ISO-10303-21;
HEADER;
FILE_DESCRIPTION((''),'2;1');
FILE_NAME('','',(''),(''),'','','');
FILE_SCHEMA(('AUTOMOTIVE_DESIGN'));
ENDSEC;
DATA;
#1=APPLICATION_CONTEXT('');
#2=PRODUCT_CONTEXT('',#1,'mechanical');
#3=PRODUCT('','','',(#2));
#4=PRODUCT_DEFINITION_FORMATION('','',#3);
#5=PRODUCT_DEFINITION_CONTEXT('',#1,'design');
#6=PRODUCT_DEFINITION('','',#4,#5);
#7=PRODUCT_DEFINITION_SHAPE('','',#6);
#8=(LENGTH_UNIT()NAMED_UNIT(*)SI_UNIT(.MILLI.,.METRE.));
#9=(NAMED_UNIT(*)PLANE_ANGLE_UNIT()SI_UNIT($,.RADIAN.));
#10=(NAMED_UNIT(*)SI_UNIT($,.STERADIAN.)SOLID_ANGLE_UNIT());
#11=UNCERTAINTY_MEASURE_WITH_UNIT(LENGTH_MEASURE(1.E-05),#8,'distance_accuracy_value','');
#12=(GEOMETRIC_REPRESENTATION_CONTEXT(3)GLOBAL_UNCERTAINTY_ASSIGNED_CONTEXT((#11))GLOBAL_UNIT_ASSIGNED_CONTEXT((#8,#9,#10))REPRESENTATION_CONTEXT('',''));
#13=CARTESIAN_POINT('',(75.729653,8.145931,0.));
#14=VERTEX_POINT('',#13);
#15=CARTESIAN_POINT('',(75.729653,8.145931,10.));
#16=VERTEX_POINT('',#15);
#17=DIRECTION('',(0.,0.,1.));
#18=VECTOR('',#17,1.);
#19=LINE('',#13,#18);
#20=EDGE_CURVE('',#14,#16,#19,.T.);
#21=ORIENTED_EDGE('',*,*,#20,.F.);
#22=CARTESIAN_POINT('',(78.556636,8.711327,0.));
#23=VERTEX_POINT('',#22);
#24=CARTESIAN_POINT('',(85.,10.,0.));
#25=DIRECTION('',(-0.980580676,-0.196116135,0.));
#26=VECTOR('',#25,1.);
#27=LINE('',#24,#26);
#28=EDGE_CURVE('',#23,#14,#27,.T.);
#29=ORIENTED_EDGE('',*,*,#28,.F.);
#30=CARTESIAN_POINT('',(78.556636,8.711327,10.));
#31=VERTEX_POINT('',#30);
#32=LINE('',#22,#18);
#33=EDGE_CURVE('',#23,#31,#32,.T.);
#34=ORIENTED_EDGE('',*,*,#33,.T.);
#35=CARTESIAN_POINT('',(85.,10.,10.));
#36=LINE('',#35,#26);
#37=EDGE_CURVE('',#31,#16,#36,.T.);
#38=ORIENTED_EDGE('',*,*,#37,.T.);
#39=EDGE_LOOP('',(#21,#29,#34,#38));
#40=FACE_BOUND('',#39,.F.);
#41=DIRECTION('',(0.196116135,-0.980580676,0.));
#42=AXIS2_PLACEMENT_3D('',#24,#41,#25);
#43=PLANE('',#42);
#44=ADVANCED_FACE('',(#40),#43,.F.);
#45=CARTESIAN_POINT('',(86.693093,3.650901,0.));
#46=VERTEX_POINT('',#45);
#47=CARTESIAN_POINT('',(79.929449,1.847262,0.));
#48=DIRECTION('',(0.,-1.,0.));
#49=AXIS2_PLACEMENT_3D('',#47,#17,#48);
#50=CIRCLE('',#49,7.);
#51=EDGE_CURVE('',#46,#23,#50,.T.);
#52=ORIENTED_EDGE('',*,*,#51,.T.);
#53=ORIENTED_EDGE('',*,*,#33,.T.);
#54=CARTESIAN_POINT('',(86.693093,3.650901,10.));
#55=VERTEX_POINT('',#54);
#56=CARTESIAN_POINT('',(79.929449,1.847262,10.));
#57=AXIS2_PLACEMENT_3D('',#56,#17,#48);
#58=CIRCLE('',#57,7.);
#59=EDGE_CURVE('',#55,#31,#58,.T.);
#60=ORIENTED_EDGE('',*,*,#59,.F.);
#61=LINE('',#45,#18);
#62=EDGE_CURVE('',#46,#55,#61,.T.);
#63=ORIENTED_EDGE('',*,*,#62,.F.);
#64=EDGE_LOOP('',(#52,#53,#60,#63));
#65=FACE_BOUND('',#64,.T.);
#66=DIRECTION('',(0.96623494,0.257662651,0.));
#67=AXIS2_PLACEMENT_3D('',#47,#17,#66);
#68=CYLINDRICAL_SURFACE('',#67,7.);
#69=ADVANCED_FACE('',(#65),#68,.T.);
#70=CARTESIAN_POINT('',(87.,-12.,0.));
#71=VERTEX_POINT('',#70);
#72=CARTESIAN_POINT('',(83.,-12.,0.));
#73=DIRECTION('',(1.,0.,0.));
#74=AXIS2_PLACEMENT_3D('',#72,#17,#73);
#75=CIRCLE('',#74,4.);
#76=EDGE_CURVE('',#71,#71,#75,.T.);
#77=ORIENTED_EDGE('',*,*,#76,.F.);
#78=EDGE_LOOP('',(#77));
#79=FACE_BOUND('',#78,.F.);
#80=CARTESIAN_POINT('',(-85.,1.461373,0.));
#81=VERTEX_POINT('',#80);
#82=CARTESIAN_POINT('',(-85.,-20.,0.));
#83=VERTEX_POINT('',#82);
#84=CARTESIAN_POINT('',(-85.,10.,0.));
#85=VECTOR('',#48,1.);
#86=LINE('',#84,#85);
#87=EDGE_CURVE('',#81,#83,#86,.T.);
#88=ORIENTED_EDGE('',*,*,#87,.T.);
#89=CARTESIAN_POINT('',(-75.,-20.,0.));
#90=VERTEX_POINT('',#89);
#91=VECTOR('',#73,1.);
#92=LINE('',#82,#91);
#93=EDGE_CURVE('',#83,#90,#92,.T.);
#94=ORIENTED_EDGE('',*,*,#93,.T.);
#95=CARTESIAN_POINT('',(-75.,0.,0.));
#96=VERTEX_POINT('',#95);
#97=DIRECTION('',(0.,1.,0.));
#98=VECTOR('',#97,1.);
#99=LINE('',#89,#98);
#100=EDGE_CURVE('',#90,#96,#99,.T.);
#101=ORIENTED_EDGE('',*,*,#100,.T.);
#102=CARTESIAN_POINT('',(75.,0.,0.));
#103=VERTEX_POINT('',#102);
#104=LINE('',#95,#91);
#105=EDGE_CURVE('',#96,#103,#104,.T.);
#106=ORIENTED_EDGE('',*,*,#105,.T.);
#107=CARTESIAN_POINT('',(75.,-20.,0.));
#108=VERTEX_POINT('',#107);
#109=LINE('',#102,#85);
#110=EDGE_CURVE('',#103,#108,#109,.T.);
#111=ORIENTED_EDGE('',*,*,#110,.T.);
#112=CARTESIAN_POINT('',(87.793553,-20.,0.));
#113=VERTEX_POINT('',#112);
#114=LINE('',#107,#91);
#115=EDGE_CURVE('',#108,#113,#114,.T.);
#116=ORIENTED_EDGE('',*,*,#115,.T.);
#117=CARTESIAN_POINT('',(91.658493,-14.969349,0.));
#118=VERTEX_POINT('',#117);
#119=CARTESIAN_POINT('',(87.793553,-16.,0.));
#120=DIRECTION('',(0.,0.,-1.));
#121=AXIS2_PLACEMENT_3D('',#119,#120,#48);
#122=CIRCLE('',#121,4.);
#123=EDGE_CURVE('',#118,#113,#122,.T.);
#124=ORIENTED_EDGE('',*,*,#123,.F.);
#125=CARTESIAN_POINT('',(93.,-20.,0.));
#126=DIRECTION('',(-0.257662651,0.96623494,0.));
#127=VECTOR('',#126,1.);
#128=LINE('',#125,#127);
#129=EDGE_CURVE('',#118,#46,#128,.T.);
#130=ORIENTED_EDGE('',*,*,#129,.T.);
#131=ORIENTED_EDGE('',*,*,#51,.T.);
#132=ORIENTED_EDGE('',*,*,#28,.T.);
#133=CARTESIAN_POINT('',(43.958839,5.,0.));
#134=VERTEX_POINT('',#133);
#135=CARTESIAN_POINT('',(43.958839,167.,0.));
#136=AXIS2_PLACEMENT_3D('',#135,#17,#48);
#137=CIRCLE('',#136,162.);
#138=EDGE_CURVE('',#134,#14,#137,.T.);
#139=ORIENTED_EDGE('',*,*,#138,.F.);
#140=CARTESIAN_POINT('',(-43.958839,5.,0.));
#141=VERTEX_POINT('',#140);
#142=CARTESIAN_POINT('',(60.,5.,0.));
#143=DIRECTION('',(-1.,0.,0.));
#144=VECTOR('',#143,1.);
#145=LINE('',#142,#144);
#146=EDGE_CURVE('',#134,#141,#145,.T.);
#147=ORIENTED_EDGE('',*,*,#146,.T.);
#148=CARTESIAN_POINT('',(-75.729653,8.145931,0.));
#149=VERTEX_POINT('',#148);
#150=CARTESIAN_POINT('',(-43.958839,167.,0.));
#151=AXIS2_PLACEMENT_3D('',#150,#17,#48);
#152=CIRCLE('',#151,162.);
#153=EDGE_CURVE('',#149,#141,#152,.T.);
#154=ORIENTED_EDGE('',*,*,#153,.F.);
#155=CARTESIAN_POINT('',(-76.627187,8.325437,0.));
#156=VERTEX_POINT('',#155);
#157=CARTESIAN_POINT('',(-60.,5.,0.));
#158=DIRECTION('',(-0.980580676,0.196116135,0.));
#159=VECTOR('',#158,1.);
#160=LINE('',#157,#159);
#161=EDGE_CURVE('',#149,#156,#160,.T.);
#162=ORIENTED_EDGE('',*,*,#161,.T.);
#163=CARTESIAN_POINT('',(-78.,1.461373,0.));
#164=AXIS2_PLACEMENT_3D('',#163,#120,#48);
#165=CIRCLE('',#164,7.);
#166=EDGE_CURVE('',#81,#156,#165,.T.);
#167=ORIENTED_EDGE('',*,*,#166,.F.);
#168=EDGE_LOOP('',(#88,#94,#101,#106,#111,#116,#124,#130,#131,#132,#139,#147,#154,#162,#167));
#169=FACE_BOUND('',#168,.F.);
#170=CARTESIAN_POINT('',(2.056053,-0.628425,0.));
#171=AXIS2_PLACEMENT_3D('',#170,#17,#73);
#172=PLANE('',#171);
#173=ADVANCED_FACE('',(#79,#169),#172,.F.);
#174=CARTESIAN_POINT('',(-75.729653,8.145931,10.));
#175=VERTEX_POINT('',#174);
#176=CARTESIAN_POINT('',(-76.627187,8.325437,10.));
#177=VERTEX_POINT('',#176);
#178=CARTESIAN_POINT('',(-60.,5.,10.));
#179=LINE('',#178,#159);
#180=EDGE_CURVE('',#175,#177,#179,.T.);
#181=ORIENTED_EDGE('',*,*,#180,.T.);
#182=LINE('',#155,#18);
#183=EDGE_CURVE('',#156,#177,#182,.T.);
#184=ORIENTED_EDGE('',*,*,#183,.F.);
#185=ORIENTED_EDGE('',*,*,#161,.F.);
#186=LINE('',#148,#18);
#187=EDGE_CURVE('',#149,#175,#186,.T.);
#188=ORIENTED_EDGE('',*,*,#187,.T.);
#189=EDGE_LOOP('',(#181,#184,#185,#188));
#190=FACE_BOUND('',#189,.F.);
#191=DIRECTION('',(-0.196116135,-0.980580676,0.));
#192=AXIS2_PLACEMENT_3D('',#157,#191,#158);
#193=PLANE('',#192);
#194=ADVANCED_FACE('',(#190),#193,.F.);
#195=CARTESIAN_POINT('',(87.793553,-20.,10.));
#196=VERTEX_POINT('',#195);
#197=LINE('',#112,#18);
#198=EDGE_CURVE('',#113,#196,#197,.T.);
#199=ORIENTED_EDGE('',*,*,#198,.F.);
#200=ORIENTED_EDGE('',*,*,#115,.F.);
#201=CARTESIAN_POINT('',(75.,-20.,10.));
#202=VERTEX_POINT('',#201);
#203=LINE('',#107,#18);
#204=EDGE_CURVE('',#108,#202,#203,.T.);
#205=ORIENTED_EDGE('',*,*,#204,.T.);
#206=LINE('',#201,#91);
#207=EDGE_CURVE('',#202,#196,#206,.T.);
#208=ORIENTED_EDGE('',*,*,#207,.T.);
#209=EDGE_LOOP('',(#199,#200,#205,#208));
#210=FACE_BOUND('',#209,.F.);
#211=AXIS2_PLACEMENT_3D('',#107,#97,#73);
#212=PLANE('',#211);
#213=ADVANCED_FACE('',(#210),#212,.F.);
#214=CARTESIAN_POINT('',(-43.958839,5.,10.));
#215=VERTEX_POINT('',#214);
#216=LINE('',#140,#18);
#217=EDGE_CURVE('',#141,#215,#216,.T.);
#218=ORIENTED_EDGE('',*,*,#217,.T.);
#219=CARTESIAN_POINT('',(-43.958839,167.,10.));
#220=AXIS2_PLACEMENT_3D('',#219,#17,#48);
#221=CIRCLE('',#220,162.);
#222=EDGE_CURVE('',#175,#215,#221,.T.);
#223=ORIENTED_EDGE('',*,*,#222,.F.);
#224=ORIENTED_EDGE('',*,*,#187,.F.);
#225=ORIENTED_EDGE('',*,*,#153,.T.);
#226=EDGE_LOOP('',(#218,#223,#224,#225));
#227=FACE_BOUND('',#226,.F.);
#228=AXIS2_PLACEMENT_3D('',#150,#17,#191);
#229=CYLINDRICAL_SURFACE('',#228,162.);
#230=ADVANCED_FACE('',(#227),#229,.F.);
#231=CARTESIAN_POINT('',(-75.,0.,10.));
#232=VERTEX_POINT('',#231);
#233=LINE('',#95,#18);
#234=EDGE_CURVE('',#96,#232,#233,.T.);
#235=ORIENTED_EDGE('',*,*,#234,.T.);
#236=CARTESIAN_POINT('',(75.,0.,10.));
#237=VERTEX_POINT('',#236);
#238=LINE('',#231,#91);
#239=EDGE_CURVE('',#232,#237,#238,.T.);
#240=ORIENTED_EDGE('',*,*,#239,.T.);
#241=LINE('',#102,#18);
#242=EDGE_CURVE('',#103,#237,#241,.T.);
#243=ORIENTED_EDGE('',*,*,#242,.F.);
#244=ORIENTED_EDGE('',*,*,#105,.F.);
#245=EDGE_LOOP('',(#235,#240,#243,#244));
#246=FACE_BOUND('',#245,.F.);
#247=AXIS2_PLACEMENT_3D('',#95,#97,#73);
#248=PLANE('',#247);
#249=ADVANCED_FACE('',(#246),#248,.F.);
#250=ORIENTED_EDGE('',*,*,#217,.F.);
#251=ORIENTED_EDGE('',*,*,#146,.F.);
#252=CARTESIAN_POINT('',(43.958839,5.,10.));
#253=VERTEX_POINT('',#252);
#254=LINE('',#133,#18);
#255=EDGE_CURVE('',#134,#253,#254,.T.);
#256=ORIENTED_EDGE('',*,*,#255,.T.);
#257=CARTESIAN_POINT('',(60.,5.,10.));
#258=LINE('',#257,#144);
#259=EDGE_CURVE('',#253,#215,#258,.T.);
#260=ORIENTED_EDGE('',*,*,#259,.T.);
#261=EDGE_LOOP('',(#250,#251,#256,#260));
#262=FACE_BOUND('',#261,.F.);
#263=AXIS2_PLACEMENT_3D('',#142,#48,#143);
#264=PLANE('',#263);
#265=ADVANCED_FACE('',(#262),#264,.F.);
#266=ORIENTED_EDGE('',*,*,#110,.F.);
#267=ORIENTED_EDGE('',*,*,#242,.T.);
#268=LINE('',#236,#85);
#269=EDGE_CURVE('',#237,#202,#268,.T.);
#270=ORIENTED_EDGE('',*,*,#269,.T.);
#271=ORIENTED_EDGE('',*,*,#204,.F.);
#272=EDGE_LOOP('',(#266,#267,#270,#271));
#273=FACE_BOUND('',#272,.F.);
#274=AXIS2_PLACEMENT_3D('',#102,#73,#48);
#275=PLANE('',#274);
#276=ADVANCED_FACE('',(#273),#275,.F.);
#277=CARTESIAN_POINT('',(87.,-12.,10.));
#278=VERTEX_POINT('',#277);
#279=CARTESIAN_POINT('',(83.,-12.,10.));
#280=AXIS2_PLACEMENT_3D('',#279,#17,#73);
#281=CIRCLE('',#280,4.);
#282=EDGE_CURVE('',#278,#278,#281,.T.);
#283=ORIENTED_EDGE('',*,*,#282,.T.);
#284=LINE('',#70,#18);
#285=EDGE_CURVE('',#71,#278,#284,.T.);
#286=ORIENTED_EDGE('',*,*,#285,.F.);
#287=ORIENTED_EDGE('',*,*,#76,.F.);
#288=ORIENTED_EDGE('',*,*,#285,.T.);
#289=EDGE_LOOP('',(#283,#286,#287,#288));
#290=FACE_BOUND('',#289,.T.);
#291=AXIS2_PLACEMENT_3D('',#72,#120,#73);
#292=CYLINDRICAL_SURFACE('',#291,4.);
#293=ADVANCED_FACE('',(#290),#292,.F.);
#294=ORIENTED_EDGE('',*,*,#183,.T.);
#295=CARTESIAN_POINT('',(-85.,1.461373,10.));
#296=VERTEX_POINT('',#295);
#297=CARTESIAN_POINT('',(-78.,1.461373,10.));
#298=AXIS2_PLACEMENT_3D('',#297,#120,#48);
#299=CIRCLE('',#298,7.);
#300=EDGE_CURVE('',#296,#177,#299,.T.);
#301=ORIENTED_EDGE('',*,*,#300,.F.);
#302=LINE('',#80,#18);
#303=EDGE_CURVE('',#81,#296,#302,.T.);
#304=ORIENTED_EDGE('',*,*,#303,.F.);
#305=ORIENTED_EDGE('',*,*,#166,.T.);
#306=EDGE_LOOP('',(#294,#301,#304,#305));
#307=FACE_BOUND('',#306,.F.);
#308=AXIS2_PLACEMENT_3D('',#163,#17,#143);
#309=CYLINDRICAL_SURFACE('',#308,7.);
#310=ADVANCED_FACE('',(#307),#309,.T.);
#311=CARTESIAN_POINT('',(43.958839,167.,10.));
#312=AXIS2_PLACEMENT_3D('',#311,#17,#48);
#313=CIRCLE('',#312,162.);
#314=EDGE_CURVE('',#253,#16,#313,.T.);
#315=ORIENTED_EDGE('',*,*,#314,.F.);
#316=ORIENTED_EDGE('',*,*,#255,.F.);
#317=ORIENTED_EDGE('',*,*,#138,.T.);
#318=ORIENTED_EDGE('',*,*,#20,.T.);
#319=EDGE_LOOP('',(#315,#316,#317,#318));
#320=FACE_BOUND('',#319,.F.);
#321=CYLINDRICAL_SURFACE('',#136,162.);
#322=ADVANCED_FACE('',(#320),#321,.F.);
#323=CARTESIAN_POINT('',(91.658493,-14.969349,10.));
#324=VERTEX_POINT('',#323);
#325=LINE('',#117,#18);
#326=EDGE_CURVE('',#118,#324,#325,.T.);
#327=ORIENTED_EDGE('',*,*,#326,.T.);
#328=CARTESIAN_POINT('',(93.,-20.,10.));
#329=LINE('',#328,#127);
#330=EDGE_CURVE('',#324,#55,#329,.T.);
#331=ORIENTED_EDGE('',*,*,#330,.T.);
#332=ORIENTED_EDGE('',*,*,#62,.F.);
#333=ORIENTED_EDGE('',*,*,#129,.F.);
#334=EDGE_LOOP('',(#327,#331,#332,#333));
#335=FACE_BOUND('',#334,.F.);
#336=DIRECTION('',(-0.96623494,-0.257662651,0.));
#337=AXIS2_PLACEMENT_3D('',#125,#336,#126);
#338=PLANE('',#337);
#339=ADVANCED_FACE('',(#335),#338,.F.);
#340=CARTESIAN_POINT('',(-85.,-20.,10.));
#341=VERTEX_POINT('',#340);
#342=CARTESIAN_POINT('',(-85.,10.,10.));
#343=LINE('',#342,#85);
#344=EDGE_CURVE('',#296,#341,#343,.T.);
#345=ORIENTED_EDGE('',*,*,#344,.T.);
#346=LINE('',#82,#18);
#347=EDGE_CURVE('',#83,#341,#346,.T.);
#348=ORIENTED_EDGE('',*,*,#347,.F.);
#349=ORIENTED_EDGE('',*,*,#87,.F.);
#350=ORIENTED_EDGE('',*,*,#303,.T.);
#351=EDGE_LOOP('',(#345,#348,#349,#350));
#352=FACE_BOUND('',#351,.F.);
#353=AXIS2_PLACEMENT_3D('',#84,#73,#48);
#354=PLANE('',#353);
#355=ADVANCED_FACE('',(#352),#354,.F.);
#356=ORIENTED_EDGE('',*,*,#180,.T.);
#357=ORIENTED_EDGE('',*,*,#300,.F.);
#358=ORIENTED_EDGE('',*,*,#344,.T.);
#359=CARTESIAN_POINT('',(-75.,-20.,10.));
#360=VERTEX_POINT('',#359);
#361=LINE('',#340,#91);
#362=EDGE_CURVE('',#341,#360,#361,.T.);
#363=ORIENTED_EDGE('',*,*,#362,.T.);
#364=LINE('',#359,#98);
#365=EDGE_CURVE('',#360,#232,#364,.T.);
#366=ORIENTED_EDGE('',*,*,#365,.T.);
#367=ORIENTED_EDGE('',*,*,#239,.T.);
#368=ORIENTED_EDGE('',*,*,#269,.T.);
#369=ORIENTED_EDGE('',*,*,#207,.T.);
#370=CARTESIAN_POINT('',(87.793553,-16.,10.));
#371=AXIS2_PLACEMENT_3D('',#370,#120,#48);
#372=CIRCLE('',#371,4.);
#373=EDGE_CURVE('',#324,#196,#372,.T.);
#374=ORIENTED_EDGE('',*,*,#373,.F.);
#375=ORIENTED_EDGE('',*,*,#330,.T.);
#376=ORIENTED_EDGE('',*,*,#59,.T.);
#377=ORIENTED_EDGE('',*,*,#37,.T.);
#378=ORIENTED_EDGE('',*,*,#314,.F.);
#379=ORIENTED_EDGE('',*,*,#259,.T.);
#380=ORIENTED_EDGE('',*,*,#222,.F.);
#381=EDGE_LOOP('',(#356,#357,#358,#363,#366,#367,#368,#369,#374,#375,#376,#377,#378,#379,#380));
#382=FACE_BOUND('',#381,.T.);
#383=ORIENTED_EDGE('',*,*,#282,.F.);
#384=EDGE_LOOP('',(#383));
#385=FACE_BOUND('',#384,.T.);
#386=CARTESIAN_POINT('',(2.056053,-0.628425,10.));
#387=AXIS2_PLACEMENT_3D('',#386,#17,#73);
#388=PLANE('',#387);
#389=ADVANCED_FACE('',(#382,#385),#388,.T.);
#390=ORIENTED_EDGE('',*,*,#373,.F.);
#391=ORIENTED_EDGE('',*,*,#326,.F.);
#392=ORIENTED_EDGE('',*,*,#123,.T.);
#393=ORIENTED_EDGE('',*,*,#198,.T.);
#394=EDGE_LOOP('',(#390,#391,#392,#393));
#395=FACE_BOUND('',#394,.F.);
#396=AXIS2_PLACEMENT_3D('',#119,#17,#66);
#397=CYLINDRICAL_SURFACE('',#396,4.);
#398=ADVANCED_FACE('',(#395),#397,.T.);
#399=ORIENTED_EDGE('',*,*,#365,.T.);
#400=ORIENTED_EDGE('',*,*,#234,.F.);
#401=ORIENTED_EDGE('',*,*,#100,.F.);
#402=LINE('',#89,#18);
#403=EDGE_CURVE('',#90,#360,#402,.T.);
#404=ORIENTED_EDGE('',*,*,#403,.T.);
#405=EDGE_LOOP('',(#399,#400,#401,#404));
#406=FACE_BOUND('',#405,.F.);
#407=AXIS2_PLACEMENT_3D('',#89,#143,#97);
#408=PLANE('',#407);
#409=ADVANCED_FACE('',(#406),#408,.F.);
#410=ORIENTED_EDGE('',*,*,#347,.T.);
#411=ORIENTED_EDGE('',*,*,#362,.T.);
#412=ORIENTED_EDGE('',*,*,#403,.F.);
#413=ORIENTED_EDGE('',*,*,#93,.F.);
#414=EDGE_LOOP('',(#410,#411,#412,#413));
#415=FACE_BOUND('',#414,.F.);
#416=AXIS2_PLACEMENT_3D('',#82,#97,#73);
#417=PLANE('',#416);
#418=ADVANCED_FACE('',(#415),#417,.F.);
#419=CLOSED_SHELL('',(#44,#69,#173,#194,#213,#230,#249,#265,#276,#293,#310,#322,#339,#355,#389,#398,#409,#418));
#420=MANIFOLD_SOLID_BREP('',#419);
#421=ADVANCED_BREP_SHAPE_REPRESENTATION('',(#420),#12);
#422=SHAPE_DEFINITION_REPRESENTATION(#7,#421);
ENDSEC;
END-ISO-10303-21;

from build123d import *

# Parameters (mm, degrees)
SKETCH_R    = 4
PAD_DEPTH   = 10
FILLET_R    = 7
FILLET001_R = 162
FILLET002_R = 4


with BuildPart() as part:
    # Sketch → Pad (new body)
    with BuildSketch(Plane.XY):
        Polygon((-75, -20), (-75, 0), (75, 0), (75, -20), (93, -20), (85, 10), (60, 5), (-60, 5), (-85, 10), (-85, -20), align=None)
        with Locations((83, -12)):
            Circle(SKETCH_R, mode=Mode.SUBTRACT)
    extrude(amount=PAD_DEPTH)

    # Fillet
    fillet_edges = [part.edges().sort_by_distance(p)[0] for p in [
        (85, 10, 5),
        (-85, 10, 5),
    ]]
    fillet(fillet_edges, radius=FILLET_R)

    # Fillet001
    fillet001_edges = [part.edges().sort_by_distance(p)[0] for p in [
        (-60, 5, 5),
        (60, 5, 5),
    ]]
    fillet(fillet001_edges, radius=FILLET001_R)

    # Fillet002
    fillet002_edges = [part.edges().sort_by_distance(p)[0] for p in [
        (93, -20, 5),
    ]]
    fillet(fillet002_edges, radius=FILLET002_R)


solid = part.part
